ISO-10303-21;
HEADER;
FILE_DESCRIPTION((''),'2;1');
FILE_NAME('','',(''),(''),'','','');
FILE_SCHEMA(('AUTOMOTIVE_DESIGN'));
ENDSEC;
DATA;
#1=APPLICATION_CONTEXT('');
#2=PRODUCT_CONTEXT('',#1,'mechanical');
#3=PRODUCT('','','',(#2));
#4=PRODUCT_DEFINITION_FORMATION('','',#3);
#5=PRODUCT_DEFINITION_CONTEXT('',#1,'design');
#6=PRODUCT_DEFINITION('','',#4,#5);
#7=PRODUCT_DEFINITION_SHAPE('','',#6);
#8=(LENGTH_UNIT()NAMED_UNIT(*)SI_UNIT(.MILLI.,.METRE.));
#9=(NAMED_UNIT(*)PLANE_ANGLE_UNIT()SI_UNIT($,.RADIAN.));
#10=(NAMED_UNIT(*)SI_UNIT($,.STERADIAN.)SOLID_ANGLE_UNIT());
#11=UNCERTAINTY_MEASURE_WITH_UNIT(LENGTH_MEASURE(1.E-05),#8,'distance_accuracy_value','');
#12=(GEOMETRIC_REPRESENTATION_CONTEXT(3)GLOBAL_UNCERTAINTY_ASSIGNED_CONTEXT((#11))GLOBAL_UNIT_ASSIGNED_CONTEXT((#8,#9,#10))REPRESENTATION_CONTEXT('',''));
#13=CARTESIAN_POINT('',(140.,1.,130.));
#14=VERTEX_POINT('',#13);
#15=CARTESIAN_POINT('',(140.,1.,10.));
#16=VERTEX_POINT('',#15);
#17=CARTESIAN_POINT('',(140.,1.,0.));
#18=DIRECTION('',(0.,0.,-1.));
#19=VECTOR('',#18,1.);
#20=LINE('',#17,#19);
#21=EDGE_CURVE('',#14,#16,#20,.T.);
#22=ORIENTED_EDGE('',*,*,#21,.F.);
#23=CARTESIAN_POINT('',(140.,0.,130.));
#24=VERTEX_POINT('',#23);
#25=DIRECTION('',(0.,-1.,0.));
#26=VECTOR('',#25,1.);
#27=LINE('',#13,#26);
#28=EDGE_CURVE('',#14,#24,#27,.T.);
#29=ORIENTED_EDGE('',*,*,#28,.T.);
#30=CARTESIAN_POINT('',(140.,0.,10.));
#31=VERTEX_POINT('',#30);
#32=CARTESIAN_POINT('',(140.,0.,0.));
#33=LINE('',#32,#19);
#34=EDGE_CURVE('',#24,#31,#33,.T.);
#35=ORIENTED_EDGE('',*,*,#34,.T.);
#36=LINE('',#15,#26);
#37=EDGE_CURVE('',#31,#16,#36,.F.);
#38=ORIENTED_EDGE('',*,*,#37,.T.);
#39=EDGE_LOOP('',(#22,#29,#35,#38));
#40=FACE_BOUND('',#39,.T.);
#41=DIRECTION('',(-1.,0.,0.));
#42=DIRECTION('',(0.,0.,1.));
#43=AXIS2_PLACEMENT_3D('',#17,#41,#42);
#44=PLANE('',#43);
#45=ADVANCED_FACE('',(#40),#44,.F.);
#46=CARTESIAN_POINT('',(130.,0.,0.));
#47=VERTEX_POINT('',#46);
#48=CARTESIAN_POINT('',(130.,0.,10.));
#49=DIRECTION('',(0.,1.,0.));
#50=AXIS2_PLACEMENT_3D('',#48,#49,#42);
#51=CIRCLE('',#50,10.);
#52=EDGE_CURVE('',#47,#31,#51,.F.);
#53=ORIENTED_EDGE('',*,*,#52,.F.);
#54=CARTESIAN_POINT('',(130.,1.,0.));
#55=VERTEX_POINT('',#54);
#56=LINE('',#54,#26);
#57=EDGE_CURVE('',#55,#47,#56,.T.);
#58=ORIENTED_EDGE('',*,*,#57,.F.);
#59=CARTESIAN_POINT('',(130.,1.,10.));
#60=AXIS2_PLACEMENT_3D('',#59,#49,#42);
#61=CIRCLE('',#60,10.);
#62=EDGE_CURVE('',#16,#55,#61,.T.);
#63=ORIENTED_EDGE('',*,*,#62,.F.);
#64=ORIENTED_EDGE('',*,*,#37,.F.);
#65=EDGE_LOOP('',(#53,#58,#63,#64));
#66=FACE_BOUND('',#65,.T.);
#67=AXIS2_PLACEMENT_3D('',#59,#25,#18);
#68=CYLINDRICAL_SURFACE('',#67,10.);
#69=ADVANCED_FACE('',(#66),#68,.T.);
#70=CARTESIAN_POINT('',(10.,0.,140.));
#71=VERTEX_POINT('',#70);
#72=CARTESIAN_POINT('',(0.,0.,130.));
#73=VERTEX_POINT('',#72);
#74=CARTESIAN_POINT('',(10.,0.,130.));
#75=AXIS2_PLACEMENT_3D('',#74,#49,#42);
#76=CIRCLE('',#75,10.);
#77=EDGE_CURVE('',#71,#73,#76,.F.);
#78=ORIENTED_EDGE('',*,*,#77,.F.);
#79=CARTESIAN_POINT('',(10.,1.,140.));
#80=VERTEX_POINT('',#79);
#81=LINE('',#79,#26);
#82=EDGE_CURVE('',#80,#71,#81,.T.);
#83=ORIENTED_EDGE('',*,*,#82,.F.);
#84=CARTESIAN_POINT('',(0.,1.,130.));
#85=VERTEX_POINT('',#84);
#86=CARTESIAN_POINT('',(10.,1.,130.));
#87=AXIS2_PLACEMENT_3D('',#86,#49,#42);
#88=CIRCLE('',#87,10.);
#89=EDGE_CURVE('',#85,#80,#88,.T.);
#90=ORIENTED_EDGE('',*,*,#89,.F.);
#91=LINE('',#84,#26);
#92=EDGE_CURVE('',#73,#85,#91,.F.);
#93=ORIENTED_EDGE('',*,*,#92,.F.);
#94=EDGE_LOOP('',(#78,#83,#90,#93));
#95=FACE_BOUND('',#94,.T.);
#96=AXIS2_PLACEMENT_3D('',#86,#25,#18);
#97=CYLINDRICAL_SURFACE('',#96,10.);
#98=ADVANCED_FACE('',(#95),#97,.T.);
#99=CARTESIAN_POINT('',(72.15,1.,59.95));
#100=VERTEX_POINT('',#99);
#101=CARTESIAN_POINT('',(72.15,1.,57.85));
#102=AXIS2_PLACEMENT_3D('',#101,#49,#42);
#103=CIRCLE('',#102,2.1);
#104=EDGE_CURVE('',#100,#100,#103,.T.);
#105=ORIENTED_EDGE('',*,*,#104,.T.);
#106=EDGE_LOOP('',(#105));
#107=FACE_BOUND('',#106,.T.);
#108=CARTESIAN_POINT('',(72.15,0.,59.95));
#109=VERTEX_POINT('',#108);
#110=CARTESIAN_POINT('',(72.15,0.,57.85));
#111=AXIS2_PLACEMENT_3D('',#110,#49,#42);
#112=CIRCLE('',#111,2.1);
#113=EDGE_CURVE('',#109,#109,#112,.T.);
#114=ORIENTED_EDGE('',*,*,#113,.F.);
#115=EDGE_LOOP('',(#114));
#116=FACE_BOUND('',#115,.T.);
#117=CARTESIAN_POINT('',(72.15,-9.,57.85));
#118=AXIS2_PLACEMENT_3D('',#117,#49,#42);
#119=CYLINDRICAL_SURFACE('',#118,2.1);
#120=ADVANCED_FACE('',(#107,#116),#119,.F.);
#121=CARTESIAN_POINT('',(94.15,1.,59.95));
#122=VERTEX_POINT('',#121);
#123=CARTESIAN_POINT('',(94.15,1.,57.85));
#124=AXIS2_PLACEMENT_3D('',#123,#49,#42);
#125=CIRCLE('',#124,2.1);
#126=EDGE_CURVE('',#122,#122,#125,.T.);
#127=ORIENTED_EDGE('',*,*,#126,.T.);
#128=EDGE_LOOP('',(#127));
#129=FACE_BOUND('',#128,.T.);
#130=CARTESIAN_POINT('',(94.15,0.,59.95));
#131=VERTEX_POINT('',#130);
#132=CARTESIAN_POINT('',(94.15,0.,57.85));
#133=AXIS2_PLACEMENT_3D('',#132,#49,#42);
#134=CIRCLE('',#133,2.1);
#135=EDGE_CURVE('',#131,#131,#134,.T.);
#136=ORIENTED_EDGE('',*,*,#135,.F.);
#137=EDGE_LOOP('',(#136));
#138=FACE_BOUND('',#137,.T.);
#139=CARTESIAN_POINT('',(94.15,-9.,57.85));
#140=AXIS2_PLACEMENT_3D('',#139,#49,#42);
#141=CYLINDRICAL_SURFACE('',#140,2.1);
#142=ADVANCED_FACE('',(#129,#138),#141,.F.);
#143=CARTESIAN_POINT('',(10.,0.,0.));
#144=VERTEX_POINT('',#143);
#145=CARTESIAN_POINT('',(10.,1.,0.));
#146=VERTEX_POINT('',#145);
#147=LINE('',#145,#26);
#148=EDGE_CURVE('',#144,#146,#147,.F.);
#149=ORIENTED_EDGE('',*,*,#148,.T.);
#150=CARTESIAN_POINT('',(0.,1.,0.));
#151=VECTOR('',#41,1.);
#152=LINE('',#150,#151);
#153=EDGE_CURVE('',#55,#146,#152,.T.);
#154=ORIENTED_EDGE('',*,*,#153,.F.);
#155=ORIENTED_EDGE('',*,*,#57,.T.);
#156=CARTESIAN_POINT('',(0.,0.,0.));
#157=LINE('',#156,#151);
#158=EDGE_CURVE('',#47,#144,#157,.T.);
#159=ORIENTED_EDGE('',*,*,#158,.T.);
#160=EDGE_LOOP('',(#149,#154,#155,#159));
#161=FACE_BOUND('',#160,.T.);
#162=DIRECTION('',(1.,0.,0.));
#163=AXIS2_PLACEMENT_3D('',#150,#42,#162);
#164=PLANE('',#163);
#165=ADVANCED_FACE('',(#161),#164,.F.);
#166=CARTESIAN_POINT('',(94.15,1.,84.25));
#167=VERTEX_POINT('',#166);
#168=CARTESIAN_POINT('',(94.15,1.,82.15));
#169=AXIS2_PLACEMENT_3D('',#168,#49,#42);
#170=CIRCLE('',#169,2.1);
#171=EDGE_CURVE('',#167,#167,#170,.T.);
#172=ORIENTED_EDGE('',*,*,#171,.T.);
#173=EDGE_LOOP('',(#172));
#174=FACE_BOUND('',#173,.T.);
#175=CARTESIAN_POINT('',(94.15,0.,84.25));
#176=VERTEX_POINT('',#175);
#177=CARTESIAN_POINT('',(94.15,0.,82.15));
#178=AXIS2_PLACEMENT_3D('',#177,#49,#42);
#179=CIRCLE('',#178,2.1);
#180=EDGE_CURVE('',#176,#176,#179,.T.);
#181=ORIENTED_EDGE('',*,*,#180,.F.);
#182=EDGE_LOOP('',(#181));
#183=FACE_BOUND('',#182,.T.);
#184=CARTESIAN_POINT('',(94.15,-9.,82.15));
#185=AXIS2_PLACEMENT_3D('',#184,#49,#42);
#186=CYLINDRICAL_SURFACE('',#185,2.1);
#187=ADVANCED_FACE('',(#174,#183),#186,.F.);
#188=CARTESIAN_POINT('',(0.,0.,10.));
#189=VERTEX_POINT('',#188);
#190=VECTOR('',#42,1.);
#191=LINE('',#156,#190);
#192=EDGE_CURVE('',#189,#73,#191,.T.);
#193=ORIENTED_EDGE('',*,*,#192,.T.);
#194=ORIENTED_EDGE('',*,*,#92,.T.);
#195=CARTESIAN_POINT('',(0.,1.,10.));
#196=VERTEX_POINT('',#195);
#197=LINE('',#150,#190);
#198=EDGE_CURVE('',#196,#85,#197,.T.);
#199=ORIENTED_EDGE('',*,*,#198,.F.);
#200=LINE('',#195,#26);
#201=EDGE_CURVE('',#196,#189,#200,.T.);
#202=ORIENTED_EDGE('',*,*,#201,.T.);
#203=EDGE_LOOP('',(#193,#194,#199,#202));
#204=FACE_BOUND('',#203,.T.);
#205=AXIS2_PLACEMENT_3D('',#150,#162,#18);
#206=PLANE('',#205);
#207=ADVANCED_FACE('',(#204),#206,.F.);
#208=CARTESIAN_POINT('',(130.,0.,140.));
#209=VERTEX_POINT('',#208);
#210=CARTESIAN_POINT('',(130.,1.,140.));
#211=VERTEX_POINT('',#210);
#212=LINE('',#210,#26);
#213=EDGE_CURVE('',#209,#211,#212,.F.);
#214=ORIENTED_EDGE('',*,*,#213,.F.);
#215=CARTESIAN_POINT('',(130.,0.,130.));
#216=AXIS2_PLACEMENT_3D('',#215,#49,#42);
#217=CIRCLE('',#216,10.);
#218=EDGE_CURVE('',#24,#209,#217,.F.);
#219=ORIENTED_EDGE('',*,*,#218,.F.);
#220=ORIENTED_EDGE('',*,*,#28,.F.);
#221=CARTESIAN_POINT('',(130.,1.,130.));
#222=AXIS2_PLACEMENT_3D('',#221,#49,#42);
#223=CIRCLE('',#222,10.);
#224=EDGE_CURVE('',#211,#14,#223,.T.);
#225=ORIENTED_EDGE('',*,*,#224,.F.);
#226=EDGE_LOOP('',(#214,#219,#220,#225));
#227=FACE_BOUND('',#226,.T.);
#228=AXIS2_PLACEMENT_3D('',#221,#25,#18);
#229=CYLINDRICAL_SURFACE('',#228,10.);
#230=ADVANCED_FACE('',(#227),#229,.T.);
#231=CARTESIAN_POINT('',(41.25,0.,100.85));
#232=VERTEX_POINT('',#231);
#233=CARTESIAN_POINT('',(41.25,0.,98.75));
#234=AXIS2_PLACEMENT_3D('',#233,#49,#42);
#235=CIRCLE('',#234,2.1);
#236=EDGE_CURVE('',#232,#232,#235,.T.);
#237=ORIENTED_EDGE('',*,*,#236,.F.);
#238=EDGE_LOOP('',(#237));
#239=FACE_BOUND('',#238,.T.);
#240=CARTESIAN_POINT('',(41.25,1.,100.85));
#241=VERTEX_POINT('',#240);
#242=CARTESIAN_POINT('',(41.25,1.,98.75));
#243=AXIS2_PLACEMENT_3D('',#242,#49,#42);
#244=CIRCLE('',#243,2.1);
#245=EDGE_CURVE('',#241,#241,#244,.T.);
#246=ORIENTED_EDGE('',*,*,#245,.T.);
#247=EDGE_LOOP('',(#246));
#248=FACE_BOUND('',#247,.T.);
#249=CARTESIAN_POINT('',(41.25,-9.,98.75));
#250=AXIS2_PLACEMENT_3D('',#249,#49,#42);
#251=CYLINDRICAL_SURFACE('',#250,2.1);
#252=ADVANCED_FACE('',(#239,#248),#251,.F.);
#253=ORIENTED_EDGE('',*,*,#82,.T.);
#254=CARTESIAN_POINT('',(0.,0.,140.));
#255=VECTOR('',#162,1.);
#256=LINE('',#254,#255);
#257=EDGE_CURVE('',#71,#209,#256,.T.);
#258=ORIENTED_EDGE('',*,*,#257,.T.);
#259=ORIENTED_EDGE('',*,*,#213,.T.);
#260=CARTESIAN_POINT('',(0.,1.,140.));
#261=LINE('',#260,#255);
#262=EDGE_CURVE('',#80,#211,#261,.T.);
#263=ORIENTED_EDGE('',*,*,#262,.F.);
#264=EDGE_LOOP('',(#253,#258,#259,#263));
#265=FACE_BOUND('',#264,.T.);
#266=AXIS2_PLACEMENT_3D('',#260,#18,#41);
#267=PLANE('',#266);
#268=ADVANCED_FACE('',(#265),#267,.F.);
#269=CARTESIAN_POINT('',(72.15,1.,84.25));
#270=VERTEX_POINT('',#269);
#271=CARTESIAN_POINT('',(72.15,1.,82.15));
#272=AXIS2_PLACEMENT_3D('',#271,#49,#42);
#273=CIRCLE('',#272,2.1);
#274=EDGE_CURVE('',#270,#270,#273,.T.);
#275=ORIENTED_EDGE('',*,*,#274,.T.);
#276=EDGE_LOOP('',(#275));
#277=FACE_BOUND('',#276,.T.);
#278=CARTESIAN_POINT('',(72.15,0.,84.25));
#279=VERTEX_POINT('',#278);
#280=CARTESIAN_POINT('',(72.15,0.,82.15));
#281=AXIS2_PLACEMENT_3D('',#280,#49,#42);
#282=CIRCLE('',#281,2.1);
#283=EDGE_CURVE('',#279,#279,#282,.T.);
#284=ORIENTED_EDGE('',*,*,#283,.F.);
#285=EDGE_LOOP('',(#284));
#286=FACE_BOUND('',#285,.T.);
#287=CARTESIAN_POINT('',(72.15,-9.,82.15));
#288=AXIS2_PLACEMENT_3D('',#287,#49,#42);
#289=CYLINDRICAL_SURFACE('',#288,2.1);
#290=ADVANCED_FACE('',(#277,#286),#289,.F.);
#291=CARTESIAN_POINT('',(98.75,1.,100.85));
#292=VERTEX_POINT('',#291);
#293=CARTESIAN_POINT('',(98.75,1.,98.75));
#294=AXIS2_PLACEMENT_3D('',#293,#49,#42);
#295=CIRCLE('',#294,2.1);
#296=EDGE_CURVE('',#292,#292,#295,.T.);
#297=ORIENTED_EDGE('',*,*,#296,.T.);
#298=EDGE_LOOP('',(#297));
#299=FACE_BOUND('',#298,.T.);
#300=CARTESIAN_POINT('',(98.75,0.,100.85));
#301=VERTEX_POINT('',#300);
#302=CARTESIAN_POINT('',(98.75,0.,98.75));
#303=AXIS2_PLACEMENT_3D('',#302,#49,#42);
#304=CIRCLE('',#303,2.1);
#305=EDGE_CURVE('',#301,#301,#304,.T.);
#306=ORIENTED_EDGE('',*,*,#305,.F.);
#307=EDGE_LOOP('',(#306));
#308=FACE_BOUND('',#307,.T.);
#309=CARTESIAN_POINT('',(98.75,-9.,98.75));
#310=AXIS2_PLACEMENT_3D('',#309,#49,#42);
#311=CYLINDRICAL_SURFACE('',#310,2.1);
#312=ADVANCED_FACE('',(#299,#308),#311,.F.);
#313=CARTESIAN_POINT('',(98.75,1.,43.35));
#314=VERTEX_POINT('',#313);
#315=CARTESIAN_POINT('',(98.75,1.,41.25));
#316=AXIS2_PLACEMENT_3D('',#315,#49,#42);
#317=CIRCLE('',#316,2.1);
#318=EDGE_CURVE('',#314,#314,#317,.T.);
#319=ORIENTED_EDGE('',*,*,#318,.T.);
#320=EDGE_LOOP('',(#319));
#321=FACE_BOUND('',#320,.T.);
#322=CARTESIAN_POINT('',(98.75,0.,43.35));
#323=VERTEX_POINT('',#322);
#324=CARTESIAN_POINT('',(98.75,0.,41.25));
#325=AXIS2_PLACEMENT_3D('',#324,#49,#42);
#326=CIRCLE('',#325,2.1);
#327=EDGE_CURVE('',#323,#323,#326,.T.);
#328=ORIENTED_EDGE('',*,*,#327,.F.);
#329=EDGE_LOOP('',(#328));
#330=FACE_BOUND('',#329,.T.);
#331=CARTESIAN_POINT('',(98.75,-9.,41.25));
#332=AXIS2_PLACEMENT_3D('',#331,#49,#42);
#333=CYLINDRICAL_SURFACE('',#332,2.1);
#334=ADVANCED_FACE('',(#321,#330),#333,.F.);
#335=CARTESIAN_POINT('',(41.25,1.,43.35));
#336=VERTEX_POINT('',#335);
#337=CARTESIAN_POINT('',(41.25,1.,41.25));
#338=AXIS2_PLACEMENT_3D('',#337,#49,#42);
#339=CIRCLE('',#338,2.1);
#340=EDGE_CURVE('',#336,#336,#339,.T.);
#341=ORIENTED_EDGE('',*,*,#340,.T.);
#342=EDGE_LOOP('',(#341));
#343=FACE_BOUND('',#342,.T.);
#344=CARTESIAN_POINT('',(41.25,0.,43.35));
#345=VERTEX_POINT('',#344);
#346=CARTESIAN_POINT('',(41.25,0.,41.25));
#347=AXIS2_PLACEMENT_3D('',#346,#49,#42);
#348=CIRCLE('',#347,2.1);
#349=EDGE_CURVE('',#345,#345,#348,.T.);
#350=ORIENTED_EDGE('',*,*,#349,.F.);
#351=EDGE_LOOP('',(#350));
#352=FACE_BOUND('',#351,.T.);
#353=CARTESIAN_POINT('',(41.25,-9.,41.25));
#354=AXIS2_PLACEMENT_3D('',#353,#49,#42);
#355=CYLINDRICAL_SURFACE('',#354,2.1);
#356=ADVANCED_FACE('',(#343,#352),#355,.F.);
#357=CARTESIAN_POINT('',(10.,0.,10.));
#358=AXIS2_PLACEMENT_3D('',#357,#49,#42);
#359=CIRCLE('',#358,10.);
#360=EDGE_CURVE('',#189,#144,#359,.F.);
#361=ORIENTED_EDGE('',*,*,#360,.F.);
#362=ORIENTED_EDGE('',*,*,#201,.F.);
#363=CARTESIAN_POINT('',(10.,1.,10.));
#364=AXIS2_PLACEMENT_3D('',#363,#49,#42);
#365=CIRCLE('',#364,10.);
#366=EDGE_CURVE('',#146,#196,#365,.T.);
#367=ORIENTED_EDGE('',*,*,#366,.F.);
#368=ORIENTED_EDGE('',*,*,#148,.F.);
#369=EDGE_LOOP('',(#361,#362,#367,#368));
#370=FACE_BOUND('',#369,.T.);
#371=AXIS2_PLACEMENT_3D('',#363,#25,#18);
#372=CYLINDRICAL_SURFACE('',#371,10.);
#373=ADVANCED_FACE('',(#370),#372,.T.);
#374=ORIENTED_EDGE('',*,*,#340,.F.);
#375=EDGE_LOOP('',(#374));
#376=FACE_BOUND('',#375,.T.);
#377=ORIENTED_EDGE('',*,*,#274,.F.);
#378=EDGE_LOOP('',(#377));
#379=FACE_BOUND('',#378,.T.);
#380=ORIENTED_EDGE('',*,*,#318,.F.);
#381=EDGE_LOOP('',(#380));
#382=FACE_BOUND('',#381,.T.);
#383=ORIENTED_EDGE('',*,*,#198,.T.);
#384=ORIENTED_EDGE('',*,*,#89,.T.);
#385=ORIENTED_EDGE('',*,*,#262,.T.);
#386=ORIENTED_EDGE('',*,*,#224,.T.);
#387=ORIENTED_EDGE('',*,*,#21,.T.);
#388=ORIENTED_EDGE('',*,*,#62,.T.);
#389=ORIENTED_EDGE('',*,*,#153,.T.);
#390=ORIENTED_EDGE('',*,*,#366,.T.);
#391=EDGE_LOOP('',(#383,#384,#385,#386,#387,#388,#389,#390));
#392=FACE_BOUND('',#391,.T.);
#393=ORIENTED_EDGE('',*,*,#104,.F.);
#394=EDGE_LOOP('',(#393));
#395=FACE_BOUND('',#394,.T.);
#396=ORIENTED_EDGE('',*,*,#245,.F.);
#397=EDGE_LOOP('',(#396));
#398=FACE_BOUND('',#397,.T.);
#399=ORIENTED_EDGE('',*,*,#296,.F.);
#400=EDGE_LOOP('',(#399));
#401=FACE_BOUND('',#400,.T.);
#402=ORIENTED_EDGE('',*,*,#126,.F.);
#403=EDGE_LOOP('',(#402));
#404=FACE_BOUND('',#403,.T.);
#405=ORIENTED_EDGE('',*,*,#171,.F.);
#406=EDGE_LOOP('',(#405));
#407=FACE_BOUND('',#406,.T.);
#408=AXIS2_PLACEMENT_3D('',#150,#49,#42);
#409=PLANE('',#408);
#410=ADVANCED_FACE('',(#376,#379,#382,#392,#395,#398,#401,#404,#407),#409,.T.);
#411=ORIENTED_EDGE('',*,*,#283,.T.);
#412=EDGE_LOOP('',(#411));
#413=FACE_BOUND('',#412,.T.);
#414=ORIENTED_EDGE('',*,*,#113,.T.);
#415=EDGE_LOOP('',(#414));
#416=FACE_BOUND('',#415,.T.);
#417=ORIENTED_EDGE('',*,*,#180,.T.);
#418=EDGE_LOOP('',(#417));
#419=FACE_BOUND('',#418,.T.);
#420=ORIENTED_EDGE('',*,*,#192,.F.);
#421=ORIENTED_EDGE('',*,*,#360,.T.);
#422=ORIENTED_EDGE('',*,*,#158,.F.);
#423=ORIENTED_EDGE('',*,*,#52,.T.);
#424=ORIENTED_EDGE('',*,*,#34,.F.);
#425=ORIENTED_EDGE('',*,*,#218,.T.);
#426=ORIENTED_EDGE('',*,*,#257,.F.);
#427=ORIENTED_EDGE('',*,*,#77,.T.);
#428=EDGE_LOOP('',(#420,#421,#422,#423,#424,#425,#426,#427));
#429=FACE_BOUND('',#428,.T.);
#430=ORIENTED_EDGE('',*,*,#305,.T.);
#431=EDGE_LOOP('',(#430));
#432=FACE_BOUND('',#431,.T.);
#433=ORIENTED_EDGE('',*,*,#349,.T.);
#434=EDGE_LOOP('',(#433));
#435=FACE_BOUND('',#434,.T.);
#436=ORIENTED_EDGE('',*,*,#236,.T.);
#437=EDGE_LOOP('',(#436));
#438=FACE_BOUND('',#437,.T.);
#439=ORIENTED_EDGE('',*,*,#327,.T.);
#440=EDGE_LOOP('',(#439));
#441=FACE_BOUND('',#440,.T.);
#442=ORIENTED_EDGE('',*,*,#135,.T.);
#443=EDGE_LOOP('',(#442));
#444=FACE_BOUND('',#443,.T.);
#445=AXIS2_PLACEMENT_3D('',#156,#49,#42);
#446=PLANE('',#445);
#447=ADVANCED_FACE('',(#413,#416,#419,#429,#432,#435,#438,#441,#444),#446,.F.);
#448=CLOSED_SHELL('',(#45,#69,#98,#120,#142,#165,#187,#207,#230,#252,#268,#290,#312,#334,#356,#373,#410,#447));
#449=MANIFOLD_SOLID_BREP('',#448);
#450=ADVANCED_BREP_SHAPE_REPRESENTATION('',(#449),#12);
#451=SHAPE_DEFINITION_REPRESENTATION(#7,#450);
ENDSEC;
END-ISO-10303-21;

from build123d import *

# Parameters (mm, degrees)
SKETCH1_W           = 140
SKETCH1_H           = 140
BOSS_EXTRUDE1_DEPTH = 1
FILLET1_R           = 10
SKETCH2_R           = 2.1
CUT_EXTRUDE1_DEPTH  = 10


with BuildPart() as part:
    # Sketch1 → Boss-Extrude1 (new body)
    with BuildSketch(Plane(origin=(0, 0, 0), x_dir=(1, 0, 0), z_dir=(0, 1, 0))):
        with Locations((70, -70)):
            Rectangle(SKETCH1_W, SKETCH1_H)
    extrude(amount=BOSS_EXTRUDE1_DEPTH)

    # Fillet1
    fillet1_edges = [part.edges().sort_by_distance(p)[0] for p in [
        (0, 0.5, 0),
        (140, 0.5, 0),
        (140, 0.5, 140),
        (0, 0.5, 140),
    ]]
    fillet(fillet1_edges, radius=FILLET1_R)

    # Sketch2 → Cut-Extrude1 (cut)
    with BuildSketch(Plane(origin=(0, 1, 0), x_dir=(1, 0, 0), z_dir=(0, 1, 0))):
        with Locations(Location((98.75, -98.75, 0), (0, 0, 270))):
            Circle(SKETCH2_R)
        with Locations(Location((41.25, -98.75, 0), (0, 0, 270))):
            Circle(SKETCH2_R)
        with Locations(Location((41.25, -41.25, 0), (0, 0, 270))):
            Circle(SKETCH2_R)
        with Locations(Location((98.75, -41.25, 0), (0, 0, 270))):
            Circle(SKETCH2_R)
        with Locations(Location((72.15, -57.85, 0), (0, 0, 270))):
            Circle(SKETCH2_R)
        with Locations(Location((94.15, -57.85, 0), (0, 0, 270))):
            Circle(SKETCH2_R)
        with Locations(Location((72.15, -82.15, 0), (0, 0, 270))):
            Circle(SKETCH2_R)
        with Locations(Location((94.15, -82.15, 0), (0, 0, 270))):
            Circle(SKETCH2_R)
    extrude(amount=-CUT_EXTRUDE1_DEPTH, mode=Mode.SUBTRACT)


solid = part.part
